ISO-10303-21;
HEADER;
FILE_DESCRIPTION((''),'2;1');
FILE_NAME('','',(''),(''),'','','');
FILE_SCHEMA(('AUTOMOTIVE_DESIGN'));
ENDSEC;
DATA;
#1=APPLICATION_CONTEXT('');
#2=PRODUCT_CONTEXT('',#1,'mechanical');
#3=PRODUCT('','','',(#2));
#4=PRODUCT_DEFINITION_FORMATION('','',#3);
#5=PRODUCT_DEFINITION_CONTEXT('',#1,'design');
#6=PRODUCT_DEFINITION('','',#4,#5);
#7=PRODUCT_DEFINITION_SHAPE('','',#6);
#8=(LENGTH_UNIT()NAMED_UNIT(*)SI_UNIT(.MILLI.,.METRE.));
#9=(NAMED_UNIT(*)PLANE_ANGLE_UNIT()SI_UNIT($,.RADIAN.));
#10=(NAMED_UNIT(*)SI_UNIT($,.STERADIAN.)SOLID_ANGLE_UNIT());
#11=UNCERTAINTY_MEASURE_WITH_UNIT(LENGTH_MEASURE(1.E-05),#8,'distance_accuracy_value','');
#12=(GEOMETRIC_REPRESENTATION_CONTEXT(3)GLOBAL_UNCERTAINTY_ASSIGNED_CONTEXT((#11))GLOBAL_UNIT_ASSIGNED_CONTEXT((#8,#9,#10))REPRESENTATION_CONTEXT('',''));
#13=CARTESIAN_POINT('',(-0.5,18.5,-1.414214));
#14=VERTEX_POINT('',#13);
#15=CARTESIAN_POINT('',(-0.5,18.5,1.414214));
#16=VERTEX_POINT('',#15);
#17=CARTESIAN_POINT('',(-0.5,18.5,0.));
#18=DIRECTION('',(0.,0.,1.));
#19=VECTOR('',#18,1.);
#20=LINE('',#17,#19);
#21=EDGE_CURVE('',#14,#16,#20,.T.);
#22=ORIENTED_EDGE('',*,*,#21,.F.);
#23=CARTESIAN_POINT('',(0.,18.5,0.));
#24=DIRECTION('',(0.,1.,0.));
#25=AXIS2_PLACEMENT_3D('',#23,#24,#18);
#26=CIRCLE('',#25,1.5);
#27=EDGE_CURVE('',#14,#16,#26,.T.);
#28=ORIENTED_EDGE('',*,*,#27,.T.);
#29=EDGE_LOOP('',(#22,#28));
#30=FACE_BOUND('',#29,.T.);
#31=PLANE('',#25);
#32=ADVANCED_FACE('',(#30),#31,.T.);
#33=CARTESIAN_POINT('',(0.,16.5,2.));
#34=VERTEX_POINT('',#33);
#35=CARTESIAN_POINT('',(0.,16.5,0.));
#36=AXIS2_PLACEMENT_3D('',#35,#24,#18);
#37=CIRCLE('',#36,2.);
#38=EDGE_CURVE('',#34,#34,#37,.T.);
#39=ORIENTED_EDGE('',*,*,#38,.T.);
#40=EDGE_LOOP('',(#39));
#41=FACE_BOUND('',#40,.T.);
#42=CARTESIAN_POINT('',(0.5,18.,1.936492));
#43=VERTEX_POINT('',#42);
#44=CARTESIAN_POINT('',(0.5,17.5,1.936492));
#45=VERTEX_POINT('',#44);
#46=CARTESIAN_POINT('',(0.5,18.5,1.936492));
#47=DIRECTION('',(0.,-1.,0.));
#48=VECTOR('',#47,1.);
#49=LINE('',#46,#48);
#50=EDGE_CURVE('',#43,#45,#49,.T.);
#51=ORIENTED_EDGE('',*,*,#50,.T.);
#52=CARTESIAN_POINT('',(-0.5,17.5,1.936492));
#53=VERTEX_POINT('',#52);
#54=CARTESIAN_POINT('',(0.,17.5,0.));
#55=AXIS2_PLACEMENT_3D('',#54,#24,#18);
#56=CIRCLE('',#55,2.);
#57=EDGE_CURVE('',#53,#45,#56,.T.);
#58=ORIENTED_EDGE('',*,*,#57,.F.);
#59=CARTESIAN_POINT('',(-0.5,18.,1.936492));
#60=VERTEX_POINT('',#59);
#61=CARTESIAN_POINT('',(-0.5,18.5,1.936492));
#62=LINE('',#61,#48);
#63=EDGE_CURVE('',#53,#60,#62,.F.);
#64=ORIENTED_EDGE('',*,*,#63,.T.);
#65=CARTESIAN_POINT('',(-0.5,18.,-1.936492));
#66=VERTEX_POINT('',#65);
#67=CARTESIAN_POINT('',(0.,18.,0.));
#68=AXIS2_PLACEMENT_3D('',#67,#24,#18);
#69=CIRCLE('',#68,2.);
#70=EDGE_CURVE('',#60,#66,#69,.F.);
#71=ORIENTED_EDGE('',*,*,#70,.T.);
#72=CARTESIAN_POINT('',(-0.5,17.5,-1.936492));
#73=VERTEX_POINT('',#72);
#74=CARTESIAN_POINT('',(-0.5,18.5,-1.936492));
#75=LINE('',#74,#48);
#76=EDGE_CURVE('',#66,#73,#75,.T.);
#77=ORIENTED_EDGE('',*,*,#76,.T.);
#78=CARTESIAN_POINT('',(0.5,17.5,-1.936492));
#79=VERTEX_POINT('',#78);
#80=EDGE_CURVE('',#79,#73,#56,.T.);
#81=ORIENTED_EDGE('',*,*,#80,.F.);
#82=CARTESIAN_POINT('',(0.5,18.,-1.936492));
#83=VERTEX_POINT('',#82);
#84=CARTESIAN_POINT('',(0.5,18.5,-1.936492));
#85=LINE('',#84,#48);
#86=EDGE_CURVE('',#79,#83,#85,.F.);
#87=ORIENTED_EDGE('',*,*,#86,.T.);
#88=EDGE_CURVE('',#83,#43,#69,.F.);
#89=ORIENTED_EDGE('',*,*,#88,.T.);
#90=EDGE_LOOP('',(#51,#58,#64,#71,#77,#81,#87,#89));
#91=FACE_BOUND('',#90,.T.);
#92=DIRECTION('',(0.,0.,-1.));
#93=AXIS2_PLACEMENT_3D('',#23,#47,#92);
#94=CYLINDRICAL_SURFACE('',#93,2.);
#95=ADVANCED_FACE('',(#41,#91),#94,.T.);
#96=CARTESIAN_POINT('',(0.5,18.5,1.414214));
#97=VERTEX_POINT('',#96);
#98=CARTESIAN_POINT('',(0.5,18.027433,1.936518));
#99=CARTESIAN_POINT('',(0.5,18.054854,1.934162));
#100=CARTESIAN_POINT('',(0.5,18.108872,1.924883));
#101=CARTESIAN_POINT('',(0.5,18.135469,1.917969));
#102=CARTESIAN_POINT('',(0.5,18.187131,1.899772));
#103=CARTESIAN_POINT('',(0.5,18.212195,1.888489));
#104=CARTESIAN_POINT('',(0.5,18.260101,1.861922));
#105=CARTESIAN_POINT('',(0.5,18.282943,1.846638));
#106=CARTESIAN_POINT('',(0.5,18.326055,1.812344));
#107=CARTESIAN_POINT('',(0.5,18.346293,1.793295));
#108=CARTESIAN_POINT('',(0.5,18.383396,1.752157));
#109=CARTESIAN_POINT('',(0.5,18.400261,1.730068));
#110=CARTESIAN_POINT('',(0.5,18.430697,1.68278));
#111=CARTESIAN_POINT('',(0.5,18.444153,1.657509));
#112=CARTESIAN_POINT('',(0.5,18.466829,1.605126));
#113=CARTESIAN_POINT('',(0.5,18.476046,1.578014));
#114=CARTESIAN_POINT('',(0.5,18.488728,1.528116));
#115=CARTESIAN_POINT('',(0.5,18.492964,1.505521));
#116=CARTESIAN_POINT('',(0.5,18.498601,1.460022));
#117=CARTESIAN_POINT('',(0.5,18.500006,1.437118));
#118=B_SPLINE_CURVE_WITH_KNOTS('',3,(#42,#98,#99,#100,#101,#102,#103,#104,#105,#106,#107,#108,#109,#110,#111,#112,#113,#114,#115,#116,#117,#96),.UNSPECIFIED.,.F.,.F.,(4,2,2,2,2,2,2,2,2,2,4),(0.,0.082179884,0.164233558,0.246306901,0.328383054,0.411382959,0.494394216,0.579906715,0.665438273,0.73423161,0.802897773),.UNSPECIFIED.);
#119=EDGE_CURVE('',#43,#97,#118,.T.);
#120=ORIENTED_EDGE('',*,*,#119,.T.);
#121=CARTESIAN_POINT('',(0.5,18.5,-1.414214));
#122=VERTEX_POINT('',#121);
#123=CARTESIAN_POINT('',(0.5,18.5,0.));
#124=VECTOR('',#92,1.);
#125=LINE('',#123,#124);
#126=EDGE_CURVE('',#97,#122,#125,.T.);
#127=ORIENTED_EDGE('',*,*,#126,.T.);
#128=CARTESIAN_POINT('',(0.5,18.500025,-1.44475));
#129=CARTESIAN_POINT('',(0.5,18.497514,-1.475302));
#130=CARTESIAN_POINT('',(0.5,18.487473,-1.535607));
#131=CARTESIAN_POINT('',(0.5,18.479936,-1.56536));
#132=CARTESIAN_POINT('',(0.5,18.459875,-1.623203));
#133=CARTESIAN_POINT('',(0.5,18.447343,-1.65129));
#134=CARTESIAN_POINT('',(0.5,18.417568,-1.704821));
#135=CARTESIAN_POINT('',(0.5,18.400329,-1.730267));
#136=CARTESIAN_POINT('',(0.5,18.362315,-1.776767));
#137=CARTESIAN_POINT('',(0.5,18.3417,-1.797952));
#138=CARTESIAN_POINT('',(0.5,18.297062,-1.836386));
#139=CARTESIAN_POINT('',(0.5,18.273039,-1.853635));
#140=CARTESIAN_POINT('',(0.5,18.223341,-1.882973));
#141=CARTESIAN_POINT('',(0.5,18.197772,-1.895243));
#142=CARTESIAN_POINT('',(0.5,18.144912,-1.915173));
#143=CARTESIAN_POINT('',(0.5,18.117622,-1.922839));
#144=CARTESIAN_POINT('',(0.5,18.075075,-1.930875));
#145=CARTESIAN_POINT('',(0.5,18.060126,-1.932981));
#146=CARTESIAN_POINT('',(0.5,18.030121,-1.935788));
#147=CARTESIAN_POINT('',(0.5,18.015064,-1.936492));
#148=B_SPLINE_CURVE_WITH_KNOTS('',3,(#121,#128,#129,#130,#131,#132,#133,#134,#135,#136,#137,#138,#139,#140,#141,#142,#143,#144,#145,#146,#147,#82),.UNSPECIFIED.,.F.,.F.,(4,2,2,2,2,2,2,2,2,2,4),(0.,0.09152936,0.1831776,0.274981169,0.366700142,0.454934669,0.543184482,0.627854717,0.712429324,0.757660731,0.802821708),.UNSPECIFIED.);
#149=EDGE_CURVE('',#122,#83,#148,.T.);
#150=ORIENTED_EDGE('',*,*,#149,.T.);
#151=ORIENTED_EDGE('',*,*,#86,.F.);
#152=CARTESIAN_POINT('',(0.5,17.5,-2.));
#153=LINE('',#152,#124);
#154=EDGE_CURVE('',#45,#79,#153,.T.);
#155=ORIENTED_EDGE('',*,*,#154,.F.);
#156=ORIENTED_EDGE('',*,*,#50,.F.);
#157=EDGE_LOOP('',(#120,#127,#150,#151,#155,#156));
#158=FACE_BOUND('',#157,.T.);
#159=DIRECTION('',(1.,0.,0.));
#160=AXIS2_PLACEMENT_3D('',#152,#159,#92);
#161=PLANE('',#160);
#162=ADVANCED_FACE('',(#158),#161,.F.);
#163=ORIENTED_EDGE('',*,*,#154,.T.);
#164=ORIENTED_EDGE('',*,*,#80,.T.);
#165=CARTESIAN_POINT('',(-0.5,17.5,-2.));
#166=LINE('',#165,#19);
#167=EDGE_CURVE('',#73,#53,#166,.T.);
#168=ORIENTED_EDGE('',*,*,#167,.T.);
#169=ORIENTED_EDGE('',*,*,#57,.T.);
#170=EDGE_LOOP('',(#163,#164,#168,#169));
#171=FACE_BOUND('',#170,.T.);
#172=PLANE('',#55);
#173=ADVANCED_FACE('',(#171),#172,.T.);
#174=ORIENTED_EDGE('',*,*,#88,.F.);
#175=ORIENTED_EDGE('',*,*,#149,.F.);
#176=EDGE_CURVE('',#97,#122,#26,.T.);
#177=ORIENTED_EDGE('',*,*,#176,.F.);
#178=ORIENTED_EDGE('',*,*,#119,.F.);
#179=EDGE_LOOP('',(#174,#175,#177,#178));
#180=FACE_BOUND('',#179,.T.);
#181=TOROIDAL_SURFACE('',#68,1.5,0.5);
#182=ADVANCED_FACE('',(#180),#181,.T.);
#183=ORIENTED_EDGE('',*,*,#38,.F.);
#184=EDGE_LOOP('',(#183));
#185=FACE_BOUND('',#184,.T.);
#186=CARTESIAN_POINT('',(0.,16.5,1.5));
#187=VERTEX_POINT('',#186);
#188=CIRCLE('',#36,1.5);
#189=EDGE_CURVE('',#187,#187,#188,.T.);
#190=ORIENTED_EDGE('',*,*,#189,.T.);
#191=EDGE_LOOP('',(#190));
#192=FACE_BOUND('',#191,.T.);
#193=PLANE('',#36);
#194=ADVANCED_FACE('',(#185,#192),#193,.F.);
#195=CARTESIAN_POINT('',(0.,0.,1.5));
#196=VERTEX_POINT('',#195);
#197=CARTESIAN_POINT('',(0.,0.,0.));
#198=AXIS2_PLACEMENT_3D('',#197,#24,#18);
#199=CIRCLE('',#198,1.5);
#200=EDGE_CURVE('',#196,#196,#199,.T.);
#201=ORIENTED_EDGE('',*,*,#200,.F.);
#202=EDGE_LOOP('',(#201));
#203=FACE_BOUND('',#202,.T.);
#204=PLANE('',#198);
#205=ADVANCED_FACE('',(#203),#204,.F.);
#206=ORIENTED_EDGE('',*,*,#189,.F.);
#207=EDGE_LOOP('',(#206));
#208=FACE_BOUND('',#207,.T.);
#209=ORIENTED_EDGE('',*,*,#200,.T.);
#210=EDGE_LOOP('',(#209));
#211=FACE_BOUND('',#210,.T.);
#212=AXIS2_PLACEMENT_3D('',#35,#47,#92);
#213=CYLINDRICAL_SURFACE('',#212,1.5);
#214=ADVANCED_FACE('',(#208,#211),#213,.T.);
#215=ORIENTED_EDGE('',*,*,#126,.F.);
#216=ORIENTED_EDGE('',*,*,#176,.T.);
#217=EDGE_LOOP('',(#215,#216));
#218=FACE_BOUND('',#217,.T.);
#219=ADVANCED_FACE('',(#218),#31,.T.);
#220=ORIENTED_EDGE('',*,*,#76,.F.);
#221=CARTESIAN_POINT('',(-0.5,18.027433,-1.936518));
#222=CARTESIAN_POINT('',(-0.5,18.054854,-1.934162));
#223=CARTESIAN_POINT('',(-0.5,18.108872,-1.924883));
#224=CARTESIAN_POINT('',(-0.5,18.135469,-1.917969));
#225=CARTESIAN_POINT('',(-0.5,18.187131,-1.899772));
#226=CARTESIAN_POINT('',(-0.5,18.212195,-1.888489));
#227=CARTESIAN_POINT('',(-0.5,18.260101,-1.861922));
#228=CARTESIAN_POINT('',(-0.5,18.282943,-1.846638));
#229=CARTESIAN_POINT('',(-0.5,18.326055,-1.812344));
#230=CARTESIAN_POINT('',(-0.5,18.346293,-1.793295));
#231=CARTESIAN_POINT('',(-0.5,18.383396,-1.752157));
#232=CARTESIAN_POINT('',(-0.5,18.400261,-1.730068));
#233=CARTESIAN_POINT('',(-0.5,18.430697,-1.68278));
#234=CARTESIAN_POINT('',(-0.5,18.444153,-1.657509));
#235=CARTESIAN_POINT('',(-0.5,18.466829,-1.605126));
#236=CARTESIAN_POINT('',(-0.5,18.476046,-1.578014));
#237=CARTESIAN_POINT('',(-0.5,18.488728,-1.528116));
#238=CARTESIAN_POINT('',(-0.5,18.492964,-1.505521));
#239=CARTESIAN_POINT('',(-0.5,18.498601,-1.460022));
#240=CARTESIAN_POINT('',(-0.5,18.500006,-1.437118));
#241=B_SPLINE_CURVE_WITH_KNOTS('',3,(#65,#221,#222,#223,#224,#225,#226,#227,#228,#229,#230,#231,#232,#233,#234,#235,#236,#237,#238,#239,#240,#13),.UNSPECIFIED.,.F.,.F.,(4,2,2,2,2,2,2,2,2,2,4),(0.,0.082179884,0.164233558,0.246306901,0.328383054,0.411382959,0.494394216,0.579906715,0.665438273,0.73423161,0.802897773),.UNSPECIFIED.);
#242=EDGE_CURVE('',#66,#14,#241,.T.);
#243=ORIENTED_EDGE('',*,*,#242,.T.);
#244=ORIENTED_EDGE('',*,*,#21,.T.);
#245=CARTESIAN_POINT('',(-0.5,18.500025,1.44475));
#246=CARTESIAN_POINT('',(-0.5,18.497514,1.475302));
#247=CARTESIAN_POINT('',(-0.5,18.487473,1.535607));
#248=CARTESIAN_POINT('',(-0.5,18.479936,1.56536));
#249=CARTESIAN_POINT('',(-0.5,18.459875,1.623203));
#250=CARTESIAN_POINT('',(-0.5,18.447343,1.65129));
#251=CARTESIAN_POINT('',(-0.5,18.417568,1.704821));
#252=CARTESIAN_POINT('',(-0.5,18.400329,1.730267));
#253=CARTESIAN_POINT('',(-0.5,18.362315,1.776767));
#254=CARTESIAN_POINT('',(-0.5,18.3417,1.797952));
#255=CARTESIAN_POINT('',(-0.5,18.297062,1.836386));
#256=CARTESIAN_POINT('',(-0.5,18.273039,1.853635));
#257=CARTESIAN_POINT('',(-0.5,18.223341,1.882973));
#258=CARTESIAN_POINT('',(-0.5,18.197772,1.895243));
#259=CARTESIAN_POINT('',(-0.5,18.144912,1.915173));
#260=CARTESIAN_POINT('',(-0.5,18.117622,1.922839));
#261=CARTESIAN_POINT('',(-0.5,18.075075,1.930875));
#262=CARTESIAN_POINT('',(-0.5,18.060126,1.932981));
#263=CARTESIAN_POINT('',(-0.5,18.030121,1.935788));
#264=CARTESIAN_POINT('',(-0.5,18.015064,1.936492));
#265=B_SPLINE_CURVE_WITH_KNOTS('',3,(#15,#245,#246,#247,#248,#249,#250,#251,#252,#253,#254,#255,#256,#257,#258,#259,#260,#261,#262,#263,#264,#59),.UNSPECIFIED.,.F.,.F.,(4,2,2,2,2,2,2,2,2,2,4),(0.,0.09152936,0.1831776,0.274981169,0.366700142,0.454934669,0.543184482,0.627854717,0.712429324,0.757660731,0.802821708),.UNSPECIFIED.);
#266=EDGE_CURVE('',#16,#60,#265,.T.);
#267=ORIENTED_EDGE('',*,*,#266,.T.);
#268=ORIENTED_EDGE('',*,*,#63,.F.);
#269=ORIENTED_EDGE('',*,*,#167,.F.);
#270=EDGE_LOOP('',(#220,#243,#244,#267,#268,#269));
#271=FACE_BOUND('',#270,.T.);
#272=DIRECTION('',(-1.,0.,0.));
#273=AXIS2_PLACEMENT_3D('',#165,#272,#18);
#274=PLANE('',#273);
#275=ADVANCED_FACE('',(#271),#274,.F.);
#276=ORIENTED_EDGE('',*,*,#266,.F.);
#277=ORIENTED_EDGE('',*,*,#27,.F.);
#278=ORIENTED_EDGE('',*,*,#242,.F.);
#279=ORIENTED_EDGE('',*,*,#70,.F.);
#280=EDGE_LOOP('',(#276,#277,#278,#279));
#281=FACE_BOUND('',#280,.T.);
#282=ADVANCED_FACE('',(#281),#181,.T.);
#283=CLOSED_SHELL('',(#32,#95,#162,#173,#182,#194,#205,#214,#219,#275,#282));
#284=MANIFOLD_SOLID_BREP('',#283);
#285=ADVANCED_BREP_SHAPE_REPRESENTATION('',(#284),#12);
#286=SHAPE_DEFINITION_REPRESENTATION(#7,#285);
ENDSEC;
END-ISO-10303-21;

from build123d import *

# Parameters (mm, degrees)
ESQUISSE1_R             = 1.5
BOSS_EXTRU_1_DEPTH      = 16.5
ESQUISSE2_R             = 2
BOSS_EXTRU_2_DEPTH      = 2
ESQUISSE3_W             = 1
ESQUISSE3_H             = 4
ENL_V_MAT_EXTRU_1_DEPTH = 1
CONG_1_R                = 0.5


with BuildPart() as part:
    # Esquisse1 → Boss.-Extru.1 (new body)
    with BuildSketch(Plane(origin=(0, 0, 0), x_dir=(1, 0, 0), z_dir=(0, 1, 0))):
        Circle(ESQUISSE1_R)
    extrude(amount=BOSS_EXTRU_1_DEPTH)

    # Esquisse2 → Boss.-Extru.2 (add)
    with BuildSketch(Plane(origin=(0, 16.5, 0), x_dir=(1, 0, 0), z_dir=(0, 1, 0))):
        Circle(ESQUISSE2_R)
    extrude(amount=BOSS_EXTRU_2_DEPTH)

    # Esquisse3 → Enlèv. mat.-Extru.1 (cut)
    with BuildSketch(Plane(origin=(0, 18.5, 0), x_dir=(1, 0, 0), z_dir=(0, 1, 0))):
        Rectangle(ESQUISSE3_W, ESQUISSE3_H)
    extrude(amount=-ENL_V_MAT_EXTRU_1_DEPTH, mode=Mode.SUBTRACT)

    # Congé1
    cong_1_edges = [part.edges().sort_by_distance(p)[0] for p in [
        (1.58113883, 18.5, -1.224744871),
        (-2, 18.5, 0),
    ]]
    fillet(cong_1_edges, radius=CONG_1_R)


solid = part.part
